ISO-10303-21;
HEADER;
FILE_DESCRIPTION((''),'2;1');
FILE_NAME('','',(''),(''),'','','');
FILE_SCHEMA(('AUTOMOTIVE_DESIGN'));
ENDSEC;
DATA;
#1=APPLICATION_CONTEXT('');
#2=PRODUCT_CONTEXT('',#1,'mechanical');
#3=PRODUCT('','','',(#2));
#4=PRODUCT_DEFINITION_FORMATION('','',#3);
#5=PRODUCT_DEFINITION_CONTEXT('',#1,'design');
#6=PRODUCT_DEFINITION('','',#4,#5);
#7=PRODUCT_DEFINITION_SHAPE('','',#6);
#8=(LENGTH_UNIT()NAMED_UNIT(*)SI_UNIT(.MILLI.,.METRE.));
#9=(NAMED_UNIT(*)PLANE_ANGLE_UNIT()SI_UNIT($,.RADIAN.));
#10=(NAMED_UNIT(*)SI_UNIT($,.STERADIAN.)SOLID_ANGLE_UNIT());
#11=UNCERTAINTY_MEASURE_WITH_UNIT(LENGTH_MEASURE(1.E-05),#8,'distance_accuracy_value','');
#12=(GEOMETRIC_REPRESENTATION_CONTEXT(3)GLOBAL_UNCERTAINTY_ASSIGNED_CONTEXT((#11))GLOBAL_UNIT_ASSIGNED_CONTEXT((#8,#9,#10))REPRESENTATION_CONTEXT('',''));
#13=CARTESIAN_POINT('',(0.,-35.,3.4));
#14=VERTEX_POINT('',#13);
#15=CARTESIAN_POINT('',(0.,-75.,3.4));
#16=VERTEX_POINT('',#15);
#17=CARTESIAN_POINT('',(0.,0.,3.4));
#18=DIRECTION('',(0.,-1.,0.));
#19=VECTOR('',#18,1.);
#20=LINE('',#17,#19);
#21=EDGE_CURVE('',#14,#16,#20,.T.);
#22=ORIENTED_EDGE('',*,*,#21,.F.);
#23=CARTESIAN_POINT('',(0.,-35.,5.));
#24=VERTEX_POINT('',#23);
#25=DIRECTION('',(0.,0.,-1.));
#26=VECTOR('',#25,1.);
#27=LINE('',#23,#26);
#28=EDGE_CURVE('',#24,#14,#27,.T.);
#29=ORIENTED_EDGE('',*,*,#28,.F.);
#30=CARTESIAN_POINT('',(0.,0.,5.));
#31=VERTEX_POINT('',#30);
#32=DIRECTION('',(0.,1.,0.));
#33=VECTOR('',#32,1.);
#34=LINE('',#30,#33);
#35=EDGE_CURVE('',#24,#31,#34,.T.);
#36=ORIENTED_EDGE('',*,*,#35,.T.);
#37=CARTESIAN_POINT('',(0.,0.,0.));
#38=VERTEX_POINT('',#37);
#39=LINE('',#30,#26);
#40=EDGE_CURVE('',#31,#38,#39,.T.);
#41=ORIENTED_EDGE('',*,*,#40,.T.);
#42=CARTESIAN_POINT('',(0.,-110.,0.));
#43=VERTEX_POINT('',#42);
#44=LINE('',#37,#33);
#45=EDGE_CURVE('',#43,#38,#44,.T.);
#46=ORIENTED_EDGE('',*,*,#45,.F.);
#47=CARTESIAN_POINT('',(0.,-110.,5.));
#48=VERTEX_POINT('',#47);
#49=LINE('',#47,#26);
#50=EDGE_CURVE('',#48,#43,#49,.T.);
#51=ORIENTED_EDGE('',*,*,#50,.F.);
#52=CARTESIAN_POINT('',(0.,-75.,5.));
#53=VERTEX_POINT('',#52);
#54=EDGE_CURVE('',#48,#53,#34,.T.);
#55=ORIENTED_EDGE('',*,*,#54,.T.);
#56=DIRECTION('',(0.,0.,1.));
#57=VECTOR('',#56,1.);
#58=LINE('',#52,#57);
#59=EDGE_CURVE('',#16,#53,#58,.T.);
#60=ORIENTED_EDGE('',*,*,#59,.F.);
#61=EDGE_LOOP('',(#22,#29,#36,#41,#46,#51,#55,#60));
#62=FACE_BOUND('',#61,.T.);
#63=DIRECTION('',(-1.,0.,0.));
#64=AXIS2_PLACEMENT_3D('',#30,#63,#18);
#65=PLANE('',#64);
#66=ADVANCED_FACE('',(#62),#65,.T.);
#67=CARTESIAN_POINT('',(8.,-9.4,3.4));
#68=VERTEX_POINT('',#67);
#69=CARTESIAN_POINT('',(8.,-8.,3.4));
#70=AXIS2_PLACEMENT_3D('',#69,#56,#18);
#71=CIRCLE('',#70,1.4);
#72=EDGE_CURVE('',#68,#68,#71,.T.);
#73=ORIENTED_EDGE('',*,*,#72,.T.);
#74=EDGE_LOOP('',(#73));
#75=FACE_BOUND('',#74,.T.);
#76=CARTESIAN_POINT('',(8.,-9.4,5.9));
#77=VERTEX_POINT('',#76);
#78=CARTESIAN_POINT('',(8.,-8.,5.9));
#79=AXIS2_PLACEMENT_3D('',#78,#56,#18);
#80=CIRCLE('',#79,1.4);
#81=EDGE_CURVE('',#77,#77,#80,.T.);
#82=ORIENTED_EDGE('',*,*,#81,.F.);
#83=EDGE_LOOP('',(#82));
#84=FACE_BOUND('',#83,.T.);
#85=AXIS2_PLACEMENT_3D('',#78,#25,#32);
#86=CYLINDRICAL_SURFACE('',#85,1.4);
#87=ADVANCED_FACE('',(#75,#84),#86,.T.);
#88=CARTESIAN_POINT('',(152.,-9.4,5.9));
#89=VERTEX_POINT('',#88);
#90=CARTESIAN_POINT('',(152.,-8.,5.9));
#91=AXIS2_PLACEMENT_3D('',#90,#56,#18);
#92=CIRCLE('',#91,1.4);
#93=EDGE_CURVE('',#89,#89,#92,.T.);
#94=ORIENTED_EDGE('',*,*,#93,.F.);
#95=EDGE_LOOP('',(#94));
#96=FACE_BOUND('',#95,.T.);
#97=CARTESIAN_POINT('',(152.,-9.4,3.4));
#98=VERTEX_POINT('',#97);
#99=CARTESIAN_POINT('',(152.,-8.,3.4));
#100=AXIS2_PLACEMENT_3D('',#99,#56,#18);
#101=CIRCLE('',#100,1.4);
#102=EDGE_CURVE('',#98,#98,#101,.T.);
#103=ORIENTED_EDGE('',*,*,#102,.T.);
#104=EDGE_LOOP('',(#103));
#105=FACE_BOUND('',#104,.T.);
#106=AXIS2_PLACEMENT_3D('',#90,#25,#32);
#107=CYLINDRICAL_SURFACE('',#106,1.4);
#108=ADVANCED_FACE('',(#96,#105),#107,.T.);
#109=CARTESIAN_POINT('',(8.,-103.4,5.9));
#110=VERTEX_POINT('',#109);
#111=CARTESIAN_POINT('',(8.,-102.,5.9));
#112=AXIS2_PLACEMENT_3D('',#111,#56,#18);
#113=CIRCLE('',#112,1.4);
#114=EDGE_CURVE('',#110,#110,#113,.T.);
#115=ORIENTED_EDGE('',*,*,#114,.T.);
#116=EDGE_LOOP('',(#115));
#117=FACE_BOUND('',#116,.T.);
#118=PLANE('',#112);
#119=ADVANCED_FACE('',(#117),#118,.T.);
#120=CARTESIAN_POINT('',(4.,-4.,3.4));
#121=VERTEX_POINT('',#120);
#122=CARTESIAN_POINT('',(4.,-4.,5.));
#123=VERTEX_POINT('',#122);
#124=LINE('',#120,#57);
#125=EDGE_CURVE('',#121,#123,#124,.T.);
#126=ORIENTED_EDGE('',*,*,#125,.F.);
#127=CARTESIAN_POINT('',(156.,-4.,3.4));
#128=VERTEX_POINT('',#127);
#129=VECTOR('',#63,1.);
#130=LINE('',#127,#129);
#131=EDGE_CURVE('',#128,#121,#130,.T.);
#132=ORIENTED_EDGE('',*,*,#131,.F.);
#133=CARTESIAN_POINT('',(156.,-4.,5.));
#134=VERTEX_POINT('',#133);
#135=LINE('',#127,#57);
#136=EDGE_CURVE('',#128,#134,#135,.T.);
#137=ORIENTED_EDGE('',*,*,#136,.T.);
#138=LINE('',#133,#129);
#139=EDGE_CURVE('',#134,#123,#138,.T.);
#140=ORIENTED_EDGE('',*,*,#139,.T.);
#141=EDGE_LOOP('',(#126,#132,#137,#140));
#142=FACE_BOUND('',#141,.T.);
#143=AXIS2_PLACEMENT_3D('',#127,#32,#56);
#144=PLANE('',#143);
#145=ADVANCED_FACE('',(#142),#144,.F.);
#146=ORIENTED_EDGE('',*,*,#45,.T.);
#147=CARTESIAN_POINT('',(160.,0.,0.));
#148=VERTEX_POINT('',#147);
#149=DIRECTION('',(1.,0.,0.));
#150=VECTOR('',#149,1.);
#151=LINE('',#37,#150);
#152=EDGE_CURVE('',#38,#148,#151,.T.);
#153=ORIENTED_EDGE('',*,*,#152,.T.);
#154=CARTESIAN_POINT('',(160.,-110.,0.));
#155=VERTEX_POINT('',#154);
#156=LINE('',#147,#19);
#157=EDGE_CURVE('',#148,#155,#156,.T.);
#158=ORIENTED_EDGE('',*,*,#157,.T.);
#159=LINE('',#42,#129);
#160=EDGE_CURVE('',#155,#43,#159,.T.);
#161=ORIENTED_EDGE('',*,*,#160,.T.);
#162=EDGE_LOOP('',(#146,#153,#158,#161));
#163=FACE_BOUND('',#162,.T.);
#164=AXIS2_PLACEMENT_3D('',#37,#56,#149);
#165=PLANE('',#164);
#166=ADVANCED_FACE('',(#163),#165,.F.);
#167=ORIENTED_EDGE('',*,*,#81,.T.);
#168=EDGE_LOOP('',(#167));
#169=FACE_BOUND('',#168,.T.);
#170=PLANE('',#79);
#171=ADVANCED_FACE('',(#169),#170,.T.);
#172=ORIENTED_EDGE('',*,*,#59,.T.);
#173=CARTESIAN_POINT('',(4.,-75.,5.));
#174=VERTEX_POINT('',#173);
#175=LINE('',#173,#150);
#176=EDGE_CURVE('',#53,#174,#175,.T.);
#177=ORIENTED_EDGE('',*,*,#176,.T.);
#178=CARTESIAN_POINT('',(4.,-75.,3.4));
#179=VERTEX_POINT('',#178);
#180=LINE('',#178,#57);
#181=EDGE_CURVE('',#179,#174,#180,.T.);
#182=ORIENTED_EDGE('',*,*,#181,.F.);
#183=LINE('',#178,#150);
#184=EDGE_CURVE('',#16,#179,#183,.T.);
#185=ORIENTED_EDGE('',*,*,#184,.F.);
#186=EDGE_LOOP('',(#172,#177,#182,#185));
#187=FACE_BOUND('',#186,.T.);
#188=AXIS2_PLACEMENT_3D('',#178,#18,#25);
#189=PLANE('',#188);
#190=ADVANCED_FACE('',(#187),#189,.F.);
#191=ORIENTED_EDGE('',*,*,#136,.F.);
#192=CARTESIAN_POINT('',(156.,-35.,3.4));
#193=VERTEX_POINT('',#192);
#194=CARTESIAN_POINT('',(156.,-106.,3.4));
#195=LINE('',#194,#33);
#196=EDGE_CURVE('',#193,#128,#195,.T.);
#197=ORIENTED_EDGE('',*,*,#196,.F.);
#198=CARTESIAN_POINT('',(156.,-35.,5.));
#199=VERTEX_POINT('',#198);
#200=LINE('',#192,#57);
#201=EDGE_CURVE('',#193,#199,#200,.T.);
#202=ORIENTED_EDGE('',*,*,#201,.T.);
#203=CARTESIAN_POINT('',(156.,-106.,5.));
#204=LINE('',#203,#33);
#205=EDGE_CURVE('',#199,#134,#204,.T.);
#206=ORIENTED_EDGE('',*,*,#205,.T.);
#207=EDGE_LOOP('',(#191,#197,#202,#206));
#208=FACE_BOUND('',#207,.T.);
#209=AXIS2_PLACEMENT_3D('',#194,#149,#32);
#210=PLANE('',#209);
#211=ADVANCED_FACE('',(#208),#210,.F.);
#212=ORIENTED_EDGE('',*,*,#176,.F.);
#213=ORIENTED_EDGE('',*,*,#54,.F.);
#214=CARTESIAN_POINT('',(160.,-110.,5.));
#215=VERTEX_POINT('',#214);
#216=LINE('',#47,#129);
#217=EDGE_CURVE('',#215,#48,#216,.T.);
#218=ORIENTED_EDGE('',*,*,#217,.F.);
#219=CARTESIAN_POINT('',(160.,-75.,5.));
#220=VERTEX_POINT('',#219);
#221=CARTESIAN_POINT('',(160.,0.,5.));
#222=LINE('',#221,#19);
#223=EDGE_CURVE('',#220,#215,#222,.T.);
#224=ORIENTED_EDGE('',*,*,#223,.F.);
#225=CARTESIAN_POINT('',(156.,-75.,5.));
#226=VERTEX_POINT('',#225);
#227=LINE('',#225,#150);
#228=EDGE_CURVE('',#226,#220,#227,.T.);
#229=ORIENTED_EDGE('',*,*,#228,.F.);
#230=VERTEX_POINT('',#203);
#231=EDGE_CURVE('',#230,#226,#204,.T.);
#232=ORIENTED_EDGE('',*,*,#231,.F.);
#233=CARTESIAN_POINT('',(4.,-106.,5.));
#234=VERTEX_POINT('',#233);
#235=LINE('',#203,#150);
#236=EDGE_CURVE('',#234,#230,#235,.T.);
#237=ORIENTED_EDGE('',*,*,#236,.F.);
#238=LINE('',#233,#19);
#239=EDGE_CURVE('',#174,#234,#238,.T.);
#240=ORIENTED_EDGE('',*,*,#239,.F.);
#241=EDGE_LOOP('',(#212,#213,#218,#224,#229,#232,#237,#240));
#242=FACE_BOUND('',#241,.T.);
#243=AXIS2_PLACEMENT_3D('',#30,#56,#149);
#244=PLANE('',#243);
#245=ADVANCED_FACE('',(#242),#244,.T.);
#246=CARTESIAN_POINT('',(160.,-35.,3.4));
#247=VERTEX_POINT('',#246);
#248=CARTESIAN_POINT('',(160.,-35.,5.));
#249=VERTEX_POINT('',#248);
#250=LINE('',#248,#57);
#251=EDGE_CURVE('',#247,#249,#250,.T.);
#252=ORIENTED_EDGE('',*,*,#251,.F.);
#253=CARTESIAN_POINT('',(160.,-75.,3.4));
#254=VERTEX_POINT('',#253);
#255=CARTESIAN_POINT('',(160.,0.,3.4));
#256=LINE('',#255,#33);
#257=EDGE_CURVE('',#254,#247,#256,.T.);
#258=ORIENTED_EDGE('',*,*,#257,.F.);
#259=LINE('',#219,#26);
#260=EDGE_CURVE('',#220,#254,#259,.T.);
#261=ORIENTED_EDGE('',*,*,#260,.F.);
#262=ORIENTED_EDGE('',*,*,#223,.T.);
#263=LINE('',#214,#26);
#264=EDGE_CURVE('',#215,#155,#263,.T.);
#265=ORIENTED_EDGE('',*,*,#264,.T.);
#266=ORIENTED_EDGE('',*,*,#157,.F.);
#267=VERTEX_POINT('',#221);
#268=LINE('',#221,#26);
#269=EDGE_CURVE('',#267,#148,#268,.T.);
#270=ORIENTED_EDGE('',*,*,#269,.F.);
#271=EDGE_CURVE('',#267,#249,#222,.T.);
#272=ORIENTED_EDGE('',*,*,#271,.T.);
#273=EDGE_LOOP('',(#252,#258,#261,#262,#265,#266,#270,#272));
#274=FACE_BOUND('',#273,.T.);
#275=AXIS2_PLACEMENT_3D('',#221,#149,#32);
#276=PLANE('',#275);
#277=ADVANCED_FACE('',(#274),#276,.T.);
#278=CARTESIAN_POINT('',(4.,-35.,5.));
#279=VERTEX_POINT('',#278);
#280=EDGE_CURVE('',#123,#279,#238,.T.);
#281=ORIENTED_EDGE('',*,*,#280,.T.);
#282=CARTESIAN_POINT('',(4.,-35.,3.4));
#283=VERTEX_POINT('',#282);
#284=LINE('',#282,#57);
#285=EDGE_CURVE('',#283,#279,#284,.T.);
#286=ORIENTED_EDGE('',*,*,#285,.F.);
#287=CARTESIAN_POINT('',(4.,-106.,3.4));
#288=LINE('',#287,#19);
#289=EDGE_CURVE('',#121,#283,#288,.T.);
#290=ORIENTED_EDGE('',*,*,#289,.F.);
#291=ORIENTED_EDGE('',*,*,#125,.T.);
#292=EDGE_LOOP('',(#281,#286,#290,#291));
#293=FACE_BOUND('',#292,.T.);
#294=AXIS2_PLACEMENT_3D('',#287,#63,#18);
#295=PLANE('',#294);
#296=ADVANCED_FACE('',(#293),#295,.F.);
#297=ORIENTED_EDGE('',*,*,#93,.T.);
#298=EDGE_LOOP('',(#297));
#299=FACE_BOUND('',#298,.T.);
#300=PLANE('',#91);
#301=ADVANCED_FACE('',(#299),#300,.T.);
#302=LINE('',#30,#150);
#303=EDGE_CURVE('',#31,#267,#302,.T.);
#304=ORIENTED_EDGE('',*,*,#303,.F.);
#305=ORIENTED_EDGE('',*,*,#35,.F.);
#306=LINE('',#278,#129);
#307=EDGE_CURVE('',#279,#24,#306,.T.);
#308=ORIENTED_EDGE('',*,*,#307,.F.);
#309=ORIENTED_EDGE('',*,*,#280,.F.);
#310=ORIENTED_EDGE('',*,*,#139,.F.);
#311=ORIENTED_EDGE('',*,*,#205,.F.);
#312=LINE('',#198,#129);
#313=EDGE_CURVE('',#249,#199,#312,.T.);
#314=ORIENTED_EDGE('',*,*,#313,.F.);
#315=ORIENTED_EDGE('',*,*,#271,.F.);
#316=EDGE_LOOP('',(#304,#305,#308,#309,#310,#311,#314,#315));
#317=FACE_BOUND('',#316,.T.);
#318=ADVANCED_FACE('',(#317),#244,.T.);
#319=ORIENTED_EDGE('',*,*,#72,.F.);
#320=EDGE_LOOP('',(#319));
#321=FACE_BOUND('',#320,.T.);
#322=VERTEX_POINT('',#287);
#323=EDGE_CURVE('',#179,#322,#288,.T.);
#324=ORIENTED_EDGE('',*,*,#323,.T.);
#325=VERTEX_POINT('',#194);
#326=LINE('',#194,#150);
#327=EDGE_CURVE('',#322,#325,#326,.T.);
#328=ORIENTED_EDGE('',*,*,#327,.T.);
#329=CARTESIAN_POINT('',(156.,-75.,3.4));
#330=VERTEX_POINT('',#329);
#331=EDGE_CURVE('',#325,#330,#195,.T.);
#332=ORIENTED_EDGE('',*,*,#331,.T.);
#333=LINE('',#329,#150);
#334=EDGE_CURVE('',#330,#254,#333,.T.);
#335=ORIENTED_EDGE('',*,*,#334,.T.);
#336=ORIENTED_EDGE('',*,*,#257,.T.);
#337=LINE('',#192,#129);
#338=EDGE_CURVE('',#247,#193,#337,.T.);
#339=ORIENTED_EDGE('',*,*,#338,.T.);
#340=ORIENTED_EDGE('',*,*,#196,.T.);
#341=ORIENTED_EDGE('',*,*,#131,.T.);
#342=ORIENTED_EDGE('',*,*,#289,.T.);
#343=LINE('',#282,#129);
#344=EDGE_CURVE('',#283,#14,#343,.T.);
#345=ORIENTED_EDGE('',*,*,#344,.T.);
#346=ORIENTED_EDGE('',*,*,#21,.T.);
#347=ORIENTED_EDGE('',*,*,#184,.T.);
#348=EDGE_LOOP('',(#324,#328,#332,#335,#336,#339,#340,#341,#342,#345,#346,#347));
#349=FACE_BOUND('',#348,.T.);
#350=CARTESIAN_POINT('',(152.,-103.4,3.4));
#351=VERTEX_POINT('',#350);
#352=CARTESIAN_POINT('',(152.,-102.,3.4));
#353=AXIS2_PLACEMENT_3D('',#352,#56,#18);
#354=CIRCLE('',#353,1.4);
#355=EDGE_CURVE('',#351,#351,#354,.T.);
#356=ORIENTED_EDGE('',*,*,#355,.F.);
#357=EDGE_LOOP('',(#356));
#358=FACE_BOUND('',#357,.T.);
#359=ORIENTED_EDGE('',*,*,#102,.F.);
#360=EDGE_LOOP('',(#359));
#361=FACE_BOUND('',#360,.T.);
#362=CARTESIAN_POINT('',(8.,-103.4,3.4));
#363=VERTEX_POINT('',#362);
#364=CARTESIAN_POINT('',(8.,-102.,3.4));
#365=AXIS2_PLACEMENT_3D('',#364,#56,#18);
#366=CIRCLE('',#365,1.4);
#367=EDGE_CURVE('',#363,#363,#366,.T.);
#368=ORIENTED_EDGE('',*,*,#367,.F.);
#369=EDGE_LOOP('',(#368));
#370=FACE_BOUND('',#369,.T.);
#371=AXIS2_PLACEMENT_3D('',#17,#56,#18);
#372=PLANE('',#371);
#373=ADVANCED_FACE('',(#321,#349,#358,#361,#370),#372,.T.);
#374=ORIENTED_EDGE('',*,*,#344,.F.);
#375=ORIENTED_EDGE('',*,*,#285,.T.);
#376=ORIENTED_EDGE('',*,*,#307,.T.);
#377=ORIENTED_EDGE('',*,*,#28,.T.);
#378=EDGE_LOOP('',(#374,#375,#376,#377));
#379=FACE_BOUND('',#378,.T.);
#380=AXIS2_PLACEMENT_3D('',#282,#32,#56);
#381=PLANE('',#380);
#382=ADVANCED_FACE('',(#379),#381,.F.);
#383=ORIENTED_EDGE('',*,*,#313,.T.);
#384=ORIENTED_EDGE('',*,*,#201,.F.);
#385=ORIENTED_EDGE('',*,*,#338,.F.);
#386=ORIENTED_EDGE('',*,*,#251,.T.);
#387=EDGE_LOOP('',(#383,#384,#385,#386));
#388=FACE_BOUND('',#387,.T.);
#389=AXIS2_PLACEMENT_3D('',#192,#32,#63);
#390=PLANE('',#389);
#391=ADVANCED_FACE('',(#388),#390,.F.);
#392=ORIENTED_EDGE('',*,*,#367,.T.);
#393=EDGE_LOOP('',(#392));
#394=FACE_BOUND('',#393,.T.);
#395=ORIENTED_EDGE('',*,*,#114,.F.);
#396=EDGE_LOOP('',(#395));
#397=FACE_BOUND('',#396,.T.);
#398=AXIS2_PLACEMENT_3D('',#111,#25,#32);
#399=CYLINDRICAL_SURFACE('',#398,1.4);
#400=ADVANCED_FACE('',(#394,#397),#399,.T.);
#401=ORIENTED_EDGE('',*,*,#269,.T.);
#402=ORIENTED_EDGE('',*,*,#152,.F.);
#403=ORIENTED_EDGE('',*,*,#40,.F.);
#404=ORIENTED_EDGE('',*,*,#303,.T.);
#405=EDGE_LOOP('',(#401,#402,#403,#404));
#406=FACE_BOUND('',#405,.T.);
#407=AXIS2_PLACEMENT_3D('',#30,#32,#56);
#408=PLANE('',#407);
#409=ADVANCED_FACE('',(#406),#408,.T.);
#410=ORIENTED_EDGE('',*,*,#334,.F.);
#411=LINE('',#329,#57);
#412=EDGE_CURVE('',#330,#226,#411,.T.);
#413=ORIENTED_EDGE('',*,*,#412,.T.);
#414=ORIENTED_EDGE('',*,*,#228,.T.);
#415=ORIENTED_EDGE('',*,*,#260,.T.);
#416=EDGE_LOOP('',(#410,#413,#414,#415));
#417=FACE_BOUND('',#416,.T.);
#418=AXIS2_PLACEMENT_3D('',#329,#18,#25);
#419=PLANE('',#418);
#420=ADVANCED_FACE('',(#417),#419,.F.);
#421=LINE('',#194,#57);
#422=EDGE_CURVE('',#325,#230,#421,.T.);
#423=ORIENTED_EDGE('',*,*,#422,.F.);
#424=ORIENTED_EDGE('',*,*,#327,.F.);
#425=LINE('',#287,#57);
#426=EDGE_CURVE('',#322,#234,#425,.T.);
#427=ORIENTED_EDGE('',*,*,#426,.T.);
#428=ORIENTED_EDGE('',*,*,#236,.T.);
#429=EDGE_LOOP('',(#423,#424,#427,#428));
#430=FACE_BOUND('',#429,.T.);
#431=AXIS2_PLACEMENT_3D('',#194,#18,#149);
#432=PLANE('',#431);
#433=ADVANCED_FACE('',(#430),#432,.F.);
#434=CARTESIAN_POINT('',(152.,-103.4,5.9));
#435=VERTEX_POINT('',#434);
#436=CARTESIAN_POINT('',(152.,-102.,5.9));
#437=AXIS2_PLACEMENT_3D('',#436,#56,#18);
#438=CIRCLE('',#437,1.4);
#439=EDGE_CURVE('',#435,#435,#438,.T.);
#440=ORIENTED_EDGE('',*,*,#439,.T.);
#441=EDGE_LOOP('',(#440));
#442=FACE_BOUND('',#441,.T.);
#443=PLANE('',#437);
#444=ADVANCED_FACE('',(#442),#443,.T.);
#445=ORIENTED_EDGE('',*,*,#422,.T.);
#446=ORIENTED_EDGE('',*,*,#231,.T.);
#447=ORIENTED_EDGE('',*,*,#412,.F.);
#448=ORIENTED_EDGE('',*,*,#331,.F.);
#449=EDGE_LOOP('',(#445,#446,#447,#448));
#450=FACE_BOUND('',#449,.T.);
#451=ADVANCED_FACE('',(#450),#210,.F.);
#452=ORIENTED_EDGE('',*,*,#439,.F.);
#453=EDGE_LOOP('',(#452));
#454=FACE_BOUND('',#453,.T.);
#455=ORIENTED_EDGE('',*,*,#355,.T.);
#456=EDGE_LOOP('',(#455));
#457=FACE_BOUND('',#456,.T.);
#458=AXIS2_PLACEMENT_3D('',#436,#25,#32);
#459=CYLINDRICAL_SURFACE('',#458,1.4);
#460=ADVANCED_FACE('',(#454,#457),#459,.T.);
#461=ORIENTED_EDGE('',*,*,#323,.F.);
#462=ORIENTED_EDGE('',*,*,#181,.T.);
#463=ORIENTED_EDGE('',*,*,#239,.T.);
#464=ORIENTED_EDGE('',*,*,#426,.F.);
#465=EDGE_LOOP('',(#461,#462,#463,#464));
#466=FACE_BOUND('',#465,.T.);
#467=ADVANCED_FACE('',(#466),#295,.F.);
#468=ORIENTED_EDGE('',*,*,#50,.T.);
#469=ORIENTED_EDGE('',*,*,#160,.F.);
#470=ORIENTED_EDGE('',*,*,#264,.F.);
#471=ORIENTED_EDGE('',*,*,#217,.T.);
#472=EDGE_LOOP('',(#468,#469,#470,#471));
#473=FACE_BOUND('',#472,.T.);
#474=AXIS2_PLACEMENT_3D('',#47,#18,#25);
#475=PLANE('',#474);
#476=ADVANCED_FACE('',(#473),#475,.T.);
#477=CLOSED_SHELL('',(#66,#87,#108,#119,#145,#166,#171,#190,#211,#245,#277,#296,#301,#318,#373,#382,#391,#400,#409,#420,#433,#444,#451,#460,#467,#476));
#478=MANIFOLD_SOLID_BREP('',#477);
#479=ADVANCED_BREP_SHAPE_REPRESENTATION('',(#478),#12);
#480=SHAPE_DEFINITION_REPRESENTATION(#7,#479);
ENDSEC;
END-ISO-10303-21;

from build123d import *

# Parameters (mm, degrees)
SKETCH1_W           = 160
SKETCH1_H           = 110
BOSS_EXTRUDE1_DEPTH = 5
SKETCH3_W           = 152
SKETCH3_H           = 102
CUT_EXTRUDE1_DEPTH  = 1.6
SKETCH4_R           = 1.4
BOSS_EXTRUDE3_DEPTH = 2.5
SKETCH11_W          = 5
SKETCH11_H          = 40
CUT_EXTRUDE3_DEPTH  = 1.6


with BuildPart() as part:
    # Sketch1 → Boss-Extrude1 (new body)
    with BuildSketch(Plane(origin=(0, 0, 0), x_dir=(1, 0, 0), z_dir=(0, 0, -1))):
        with Locations((80, 55)):
            Rectangle(SKETCH1_W, SKETCH1_H)
    extrude(amount=-BOSS_EXTRUDE1_DEPTH)

    # Sketch3 → Cut-Extrude1 (cut)
    with BuildSketch(Plane(origin=(0, 0, 5), x_dir=(-1, 0, 0), z_dir=(0, 0, 1))):
        with Locations((-80, 55)):
            Rectangle(SKETCH3_W, SKETCH3_H)
    extrude(amount=-CUT_EXTRUDE1_DEPTH, mode=Mode.SUBTRACT)

    # Sketch4 → Boss-Extrude3 (add)
    with BuildSketch(Plane(origin=(0, 0, 3.4), x_dir=(-1, 0, 0), z_dir=(0, 0, 1))):
        with Locations((-152, 102)):
            Circle(SKETCH4_R)
        with Locations((-8, 102)):
            Circle(SKETCH4_R)
        with Locations((-152, 8)):
            Circle(SKETCH4_R)
        with Locations((-8, 8)):
            Circle(SKETCH4_R)
    extrude(amount=BOSS_EXTRUDE3_DEPTH)

    # Sketch11 → Cut-Extrude3 (cut)
    with BuildSketch(Plane(origin=(0, 0, 5), x_dir=(-1, 0, 0), z_dir=(0, 0, 1))):
        with Locations((-158.5, 55)):
            Rectangle(SKETCH11_W, SKETCH11_H)
        with Locations((-1.5, 55)):
            Rectangle(SKETCH11_W, SKETCH11_H)
    extrude(amount=-CUT_EXTRUDE3_DEPTH, mode=Mode.SUBTRACT)


solid = part.part
